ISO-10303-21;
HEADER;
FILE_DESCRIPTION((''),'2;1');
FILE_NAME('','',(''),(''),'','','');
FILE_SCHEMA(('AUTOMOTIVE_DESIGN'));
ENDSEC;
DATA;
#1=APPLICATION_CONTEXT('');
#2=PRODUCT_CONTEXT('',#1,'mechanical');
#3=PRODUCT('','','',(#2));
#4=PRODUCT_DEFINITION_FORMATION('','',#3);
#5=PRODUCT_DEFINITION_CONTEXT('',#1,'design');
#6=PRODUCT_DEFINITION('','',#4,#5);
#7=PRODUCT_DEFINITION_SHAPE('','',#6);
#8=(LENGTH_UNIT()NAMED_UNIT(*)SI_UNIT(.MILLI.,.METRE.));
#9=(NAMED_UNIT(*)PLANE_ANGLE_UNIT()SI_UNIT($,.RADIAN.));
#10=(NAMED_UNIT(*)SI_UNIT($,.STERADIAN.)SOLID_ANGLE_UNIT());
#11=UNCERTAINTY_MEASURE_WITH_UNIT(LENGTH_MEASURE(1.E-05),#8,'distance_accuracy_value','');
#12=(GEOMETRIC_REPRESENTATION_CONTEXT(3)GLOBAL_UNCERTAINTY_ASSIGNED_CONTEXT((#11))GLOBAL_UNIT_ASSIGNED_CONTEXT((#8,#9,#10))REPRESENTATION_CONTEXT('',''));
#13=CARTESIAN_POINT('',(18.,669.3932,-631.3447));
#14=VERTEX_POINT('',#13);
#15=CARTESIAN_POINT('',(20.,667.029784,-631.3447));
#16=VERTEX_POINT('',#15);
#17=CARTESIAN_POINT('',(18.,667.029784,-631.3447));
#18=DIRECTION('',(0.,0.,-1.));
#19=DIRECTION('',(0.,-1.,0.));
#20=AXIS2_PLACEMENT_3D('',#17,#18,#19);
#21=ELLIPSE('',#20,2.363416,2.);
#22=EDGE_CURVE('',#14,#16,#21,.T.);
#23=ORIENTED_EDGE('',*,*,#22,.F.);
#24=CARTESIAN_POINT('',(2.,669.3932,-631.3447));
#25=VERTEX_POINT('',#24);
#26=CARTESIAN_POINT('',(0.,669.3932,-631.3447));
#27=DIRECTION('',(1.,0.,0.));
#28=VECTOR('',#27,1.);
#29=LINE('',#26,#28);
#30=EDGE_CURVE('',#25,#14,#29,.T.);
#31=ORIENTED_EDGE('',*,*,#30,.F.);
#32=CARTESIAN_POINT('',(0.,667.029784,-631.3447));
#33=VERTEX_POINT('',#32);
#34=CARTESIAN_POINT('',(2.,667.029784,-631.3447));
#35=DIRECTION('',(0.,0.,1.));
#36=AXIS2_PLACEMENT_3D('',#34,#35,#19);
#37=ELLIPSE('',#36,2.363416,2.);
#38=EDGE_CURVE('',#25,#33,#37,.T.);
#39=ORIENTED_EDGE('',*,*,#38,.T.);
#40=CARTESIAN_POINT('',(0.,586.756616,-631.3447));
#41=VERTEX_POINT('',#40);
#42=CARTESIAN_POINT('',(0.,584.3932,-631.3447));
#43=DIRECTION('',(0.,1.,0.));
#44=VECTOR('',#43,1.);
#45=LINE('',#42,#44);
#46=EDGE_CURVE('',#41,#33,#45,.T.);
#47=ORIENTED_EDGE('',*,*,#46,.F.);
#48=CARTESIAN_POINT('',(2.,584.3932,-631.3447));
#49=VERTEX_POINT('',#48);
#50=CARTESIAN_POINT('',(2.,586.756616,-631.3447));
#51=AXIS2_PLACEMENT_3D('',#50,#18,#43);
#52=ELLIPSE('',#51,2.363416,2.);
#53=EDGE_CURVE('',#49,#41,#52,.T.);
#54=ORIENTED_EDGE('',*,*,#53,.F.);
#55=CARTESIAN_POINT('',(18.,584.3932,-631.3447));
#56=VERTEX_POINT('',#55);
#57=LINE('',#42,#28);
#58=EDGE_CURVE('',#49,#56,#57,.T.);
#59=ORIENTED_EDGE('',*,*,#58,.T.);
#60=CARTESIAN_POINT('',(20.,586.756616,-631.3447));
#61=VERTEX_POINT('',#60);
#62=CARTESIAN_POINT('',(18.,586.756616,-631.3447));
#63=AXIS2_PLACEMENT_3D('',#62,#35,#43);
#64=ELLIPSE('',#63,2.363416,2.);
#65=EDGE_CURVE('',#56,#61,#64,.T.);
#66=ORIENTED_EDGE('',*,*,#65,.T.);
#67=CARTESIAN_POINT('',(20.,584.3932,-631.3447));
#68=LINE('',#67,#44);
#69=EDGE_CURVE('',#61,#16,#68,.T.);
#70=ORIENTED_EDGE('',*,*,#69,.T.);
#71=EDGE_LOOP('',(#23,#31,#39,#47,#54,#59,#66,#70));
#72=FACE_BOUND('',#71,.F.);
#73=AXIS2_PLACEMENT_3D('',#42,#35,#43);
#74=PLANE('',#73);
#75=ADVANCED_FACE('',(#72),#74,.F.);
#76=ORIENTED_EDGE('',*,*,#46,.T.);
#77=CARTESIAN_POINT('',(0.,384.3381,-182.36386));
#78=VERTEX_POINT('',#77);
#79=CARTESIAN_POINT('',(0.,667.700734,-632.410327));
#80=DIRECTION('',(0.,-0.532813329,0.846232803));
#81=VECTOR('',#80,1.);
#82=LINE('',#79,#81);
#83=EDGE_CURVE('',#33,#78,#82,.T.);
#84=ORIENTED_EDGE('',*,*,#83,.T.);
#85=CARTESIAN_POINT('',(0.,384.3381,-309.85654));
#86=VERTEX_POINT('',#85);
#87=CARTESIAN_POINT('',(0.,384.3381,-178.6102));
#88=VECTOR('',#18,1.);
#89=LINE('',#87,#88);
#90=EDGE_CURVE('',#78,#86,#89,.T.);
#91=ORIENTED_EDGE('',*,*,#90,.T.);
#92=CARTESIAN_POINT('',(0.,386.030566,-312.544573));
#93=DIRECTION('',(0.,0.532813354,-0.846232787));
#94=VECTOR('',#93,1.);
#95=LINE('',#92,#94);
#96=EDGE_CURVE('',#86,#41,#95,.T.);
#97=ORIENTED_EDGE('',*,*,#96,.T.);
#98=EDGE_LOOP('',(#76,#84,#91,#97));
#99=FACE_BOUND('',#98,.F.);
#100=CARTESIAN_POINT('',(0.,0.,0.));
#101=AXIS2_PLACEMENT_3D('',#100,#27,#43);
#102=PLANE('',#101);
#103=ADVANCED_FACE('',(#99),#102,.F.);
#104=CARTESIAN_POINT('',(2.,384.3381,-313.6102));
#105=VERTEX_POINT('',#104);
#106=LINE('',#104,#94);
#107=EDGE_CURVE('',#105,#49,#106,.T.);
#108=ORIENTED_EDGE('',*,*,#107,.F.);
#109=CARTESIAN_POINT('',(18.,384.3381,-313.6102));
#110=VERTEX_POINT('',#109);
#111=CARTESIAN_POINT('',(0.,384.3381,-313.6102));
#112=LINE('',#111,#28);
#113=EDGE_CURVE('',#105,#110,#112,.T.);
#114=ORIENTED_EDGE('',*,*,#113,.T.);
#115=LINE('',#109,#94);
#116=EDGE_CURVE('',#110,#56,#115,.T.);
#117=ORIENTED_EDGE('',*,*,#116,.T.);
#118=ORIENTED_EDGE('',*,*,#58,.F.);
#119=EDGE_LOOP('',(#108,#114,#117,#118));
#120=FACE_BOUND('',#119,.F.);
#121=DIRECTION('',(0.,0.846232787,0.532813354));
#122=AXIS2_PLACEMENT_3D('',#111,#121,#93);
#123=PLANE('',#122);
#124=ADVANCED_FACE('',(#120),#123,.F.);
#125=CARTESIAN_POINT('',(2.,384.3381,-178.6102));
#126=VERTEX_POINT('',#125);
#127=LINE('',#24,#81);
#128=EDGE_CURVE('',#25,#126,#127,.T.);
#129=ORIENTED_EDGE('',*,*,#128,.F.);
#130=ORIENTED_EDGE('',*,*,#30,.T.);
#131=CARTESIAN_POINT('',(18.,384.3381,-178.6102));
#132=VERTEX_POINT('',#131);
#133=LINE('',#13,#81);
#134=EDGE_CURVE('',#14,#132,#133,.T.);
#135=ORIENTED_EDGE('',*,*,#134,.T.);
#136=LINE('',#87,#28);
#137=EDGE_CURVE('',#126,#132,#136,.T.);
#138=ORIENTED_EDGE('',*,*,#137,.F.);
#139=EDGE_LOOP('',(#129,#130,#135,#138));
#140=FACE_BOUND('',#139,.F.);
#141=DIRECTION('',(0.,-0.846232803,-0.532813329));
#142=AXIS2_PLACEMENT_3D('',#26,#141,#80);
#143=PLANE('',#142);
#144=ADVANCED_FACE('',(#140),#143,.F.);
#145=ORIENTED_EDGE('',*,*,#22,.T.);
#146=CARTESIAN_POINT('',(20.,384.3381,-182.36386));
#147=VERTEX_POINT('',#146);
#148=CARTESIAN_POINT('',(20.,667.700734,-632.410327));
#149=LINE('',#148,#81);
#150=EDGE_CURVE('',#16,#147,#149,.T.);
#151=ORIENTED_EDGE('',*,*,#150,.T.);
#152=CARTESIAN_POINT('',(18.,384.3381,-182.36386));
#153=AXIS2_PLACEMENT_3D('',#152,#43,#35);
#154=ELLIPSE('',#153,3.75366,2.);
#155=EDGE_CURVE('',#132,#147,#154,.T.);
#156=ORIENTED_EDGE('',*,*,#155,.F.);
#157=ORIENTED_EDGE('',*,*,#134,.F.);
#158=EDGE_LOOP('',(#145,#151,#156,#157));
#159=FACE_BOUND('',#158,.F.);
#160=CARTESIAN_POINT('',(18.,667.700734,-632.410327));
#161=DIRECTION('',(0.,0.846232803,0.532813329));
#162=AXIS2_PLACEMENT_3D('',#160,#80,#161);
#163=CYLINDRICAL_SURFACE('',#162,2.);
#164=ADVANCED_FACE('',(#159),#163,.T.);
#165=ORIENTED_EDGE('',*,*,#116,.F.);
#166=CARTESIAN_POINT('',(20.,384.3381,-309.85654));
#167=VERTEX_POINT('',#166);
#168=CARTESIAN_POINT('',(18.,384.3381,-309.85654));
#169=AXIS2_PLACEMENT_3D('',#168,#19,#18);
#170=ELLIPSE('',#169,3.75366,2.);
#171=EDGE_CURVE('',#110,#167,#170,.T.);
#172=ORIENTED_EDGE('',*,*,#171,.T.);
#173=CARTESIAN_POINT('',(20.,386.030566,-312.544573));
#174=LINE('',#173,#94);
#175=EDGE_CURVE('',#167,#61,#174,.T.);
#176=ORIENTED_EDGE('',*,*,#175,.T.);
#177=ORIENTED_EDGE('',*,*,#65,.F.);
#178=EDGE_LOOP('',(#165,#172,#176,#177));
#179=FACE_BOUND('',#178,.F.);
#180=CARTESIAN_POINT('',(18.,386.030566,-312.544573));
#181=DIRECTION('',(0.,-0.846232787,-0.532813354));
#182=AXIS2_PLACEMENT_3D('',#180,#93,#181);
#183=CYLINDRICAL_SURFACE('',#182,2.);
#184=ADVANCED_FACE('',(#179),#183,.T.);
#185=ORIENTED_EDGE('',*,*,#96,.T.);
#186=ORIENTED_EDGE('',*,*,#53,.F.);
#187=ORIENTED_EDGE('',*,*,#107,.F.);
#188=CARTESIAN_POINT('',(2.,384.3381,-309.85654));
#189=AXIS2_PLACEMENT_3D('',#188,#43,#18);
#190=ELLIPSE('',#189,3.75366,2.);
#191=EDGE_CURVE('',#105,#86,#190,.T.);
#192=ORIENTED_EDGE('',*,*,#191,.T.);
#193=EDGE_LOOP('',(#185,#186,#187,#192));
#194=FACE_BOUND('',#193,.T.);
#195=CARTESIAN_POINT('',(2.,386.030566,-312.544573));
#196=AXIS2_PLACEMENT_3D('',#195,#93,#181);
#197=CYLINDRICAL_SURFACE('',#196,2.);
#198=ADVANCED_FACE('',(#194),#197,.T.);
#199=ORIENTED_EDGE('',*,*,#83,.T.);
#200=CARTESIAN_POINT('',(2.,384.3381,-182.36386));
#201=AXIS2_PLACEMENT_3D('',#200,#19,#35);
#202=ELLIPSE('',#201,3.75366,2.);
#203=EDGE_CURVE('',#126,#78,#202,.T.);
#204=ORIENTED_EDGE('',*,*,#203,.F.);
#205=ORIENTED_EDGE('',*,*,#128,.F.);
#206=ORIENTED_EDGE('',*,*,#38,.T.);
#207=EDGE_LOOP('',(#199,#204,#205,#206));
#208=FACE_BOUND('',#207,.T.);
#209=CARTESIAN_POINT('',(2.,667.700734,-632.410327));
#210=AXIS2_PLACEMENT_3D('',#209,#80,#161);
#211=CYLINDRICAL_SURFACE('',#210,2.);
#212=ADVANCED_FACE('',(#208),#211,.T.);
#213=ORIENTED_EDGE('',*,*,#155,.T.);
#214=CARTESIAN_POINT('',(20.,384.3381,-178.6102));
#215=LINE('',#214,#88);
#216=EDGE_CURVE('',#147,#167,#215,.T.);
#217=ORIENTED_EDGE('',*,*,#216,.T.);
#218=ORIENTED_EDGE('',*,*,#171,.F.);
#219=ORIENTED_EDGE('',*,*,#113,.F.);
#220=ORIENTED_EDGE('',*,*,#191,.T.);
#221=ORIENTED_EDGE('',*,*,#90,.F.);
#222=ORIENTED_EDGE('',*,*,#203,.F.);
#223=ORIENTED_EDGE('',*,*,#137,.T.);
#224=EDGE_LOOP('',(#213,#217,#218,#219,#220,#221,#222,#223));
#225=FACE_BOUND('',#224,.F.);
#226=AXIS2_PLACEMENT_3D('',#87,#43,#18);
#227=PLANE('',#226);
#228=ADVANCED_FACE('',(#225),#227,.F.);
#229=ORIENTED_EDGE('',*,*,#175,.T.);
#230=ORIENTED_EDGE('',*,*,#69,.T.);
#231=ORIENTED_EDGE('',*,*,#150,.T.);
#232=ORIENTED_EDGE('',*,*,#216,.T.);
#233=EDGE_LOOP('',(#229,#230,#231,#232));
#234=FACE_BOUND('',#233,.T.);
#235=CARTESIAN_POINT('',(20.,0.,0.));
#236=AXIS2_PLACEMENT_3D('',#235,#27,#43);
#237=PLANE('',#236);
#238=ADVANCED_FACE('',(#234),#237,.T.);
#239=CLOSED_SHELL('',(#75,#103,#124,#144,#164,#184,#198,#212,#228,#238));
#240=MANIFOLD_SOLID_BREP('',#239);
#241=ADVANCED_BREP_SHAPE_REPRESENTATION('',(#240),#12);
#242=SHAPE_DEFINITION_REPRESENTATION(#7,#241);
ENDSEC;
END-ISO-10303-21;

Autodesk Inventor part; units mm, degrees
ref_plane "YZ Plane" through (0, 0, 0) normal (1, 0, 0) x (0, 1, 0)
ref_plane "XZ Plane" through (0, 0, 0) normal (0, 1, 0) x (-1, 0, 0)
ref_plane "XY Plane" through (0, 0, 0) normal (0, 0, 1) x (1, 0, 0)
sketch "Skizze1" plane through (0, 0, 0) normal (1, 0, 0) x (0, 1, 0)
  line L0 (384.3381, -178.6102) -> (384.3381, -313.6102)
  line L1 (384.3381, -313.6102) -> (584.3932, -631.3447)
  line L2 (584.3932, -631.3447) -> (669.3932, -631.3447)
  line L3 (669.3932, -631.3447) -> (384.3381, -178.6102)
  point P0 (0, 0)
  dimension "d0" = 135
  dimension "d1" = 85
  dimension "d2" = 535
  dimension "d3" = 375.4694
extrude "Extrusion1" add sketch "Skizze1" along normal blind 20
fillet "Rundung1" radius 2 4 edges at (20, 526.8656, -404.9774) (0, 526.8656, -404.9774) (20, 484.3656, -472.4774) (0, 484.3656, -472.4774)
properties part number "VerstaerkungHintenSchraeg"
